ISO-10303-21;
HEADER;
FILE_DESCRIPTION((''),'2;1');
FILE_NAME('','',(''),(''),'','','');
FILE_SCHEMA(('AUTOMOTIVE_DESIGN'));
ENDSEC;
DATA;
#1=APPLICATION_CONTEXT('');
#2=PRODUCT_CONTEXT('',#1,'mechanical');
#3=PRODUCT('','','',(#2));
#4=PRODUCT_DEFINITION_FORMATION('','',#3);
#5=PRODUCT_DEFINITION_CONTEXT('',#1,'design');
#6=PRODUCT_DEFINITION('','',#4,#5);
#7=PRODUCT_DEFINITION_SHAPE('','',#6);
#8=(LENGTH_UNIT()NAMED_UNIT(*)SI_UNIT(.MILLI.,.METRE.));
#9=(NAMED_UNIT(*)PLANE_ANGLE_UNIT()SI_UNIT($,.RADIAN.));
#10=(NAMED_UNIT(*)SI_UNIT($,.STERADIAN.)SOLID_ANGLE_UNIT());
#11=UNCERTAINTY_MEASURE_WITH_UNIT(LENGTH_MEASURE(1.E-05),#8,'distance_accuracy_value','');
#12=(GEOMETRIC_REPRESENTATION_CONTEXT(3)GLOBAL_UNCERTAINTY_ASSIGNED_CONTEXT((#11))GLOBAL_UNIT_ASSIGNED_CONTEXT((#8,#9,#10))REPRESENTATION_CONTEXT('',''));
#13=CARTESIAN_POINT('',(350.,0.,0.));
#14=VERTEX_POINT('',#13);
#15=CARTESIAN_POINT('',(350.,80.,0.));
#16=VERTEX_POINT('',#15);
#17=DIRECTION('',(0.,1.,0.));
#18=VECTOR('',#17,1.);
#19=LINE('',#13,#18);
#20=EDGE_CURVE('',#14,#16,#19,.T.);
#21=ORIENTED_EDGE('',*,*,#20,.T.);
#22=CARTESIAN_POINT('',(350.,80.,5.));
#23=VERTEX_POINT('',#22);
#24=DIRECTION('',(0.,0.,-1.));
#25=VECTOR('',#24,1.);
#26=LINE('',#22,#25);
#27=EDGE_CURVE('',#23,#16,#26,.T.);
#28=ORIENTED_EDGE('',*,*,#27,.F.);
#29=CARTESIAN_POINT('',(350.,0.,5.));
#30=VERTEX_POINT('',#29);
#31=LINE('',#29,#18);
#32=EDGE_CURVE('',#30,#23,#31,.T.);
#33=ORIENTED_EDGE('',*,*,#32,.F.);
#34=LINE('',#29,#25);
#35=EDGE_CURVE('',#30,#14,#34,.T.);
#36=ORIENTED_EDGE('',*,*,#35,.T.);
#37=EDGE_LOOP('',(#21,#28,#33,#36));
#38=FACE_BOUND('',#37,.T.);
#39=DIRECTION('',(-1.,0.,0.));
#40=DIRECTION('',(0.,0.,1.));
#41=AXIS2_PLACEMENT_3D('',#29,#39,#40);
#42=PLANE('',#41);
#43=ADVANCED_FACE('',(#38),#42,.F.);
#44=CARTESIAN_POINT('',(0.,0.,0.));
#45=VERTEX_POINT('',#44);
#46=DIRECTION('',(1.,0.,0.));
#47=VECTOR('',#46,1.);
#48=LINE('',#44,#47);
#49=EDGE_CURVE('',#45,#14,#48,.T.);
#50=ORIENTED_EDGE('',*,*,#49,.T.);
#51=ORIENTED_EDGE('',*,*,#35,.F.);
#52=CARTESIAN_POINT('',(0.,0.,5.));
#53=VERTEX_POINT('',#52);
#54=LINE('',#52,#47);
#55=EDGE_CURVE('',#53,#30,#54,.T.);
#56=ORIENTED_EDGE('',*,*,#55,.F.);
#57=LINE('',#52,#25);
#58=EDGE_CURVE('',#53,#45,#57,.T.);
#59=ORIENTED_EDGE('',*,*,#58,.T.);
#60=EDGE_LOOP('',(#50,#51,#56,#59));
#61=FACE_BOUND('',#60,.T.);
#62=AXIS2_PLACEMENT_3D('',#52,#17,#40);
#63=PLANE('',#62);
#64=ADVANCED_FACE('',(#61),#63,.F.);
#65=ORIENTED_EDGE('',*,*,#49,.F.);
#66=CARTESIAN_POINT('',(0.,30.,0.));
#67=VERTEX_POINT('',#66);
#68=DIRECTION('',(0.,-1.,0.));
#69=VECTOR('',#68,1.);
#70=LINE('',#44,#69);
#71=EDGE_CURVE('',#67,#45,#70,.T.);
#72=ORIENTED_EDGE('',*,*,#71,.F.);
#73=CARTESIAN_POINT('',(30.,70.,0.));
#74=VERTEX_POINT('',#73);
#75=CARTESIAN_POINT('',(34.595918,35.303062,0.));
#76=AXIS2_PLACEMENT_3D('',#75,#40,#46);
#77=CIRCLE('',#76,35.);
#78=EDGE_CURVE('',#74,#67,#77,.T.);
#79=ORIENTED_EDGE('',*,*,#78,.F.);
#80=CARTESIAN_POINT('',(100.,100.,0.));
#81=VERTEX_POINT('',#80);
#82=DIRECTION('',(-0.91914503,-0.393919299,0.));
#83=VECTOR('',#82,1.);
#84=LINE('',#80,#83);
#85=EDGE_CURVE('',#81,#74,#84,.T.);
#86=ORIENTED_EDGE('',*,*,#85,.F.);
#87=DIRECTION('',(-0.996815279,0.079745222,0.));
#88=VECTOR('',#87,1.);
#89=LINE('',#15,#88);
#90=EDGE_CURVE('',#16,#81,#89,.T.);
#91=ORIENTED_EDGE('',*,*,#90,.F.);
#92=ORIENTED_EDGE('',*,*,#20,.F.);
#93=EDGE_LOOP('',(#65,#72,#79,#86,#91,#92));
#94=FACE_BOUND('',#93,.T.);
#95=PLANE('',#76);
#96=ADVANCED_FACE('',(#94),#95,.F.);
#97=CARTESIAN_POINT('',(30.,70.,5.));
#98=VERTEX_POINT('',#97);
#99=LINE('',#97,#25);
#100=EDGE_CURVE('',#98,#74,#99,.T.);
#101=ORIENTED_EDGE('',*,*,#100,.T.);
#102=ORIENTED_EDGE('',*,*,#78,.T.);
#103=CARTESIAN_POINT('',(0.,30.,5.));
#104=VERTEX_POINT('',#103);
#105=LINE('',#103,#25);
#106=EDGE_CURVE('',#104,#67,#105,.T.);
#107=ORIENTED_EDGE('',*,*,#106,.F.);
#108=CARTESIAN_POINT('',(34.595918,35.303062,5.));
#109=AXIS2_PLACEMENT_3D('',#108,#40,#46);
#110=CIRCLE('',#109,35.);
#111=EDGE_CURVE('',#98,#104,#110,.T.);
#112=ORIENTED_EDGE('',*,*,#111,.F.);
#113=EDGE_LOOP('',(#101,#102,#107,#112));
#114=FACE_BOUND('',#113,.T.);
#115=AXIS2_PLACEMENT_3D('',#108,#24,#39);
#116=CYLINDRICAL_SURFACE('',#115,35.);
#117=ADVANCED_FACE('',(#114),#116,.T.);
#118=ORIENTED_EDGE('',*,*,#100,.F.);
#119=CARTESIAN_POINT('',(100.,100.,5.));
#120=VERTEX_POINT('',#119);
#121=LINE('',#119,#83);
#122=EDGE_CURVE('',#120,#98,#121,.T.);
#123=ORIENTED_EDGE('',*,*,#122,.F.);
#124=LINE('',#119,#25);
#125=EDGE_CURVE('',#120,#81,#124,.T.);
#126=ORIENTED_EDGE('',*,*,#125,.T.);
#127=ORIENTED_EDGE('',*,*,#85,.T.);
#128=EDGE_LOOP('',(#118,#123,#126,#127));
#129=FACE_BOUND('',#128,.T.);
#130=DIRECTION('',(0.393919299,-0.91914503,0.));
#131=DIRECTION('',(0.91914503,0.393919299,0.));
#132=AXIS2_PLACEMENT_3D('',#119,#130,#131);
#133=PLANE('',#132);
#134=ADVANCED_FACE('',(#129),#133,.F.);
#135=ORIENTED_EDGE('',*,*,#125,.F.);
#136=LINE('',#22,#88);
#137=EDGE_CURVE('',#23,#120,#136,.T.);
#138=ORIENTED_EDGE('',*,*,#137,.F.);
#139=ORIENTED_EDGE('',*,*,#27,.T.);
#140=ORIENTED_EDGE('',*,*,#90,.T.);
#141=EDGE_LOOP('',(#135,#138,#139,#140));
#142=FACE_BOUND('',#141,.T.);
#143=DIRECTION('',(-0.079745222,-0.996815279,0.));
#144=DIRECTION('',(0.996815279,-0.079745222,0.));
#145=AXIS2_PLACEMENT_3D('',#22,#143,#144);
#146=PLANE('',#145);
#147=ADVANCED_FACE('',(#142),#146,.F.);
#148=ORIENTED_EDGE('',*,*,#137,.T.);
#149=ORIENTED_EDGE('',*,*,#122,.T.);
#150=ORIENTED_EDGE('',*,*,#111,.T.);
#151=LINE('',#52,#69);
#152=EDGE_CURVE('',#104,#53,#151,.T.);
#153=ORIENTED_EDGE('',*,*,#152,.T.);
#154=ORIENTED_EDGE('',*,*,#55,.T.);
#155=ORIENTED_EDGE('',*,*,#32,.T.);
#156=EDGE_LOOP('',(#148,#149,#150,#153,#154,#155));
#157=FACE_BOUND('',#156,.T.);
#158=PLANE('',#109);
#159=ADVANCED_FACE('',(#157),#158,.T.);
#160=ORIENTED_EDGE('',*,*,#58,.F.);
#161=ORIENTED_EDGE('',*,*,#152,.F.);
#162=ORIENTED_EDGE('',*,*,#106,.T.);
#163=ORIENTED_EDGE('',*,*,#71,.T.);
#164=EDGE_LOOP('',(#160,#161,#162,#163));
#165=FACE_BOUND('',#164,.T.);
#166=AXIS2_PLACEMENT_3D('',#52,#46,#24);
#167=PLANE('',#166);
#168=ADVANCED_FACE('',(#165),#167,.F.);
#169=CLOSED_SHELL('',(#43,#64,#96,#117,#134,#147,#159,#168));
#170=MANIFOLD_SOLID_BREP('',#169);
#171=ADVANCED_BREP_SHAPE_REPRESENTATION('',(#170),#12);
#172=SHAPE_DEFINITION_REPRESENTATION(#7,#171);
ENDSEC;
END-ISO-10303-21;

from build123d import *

# Parameters (mm, degrees)
BOSS_EXTRU_1_DEPTH = 5


with BuildPart() as part:
    # Esquisse1 → Boss.-Extru.1 (new body)
    with BuildSketch(Plane.XY):
        with BuildLine():
            Line((0, 0), (350, 0))
            Line((350, 0), (350, 80))
            Line((350, 80), (100, 100))
            Line((100, 100), (30, 70))
            ThreePointArc((30, 70), (6.595917942, 56.303061543), (0, 30))
            Line((0, 30), (0, 0))
        make_face()
    extrude(amount=BOSS_EXTRU_1_DEPTH)


solid = part.part
